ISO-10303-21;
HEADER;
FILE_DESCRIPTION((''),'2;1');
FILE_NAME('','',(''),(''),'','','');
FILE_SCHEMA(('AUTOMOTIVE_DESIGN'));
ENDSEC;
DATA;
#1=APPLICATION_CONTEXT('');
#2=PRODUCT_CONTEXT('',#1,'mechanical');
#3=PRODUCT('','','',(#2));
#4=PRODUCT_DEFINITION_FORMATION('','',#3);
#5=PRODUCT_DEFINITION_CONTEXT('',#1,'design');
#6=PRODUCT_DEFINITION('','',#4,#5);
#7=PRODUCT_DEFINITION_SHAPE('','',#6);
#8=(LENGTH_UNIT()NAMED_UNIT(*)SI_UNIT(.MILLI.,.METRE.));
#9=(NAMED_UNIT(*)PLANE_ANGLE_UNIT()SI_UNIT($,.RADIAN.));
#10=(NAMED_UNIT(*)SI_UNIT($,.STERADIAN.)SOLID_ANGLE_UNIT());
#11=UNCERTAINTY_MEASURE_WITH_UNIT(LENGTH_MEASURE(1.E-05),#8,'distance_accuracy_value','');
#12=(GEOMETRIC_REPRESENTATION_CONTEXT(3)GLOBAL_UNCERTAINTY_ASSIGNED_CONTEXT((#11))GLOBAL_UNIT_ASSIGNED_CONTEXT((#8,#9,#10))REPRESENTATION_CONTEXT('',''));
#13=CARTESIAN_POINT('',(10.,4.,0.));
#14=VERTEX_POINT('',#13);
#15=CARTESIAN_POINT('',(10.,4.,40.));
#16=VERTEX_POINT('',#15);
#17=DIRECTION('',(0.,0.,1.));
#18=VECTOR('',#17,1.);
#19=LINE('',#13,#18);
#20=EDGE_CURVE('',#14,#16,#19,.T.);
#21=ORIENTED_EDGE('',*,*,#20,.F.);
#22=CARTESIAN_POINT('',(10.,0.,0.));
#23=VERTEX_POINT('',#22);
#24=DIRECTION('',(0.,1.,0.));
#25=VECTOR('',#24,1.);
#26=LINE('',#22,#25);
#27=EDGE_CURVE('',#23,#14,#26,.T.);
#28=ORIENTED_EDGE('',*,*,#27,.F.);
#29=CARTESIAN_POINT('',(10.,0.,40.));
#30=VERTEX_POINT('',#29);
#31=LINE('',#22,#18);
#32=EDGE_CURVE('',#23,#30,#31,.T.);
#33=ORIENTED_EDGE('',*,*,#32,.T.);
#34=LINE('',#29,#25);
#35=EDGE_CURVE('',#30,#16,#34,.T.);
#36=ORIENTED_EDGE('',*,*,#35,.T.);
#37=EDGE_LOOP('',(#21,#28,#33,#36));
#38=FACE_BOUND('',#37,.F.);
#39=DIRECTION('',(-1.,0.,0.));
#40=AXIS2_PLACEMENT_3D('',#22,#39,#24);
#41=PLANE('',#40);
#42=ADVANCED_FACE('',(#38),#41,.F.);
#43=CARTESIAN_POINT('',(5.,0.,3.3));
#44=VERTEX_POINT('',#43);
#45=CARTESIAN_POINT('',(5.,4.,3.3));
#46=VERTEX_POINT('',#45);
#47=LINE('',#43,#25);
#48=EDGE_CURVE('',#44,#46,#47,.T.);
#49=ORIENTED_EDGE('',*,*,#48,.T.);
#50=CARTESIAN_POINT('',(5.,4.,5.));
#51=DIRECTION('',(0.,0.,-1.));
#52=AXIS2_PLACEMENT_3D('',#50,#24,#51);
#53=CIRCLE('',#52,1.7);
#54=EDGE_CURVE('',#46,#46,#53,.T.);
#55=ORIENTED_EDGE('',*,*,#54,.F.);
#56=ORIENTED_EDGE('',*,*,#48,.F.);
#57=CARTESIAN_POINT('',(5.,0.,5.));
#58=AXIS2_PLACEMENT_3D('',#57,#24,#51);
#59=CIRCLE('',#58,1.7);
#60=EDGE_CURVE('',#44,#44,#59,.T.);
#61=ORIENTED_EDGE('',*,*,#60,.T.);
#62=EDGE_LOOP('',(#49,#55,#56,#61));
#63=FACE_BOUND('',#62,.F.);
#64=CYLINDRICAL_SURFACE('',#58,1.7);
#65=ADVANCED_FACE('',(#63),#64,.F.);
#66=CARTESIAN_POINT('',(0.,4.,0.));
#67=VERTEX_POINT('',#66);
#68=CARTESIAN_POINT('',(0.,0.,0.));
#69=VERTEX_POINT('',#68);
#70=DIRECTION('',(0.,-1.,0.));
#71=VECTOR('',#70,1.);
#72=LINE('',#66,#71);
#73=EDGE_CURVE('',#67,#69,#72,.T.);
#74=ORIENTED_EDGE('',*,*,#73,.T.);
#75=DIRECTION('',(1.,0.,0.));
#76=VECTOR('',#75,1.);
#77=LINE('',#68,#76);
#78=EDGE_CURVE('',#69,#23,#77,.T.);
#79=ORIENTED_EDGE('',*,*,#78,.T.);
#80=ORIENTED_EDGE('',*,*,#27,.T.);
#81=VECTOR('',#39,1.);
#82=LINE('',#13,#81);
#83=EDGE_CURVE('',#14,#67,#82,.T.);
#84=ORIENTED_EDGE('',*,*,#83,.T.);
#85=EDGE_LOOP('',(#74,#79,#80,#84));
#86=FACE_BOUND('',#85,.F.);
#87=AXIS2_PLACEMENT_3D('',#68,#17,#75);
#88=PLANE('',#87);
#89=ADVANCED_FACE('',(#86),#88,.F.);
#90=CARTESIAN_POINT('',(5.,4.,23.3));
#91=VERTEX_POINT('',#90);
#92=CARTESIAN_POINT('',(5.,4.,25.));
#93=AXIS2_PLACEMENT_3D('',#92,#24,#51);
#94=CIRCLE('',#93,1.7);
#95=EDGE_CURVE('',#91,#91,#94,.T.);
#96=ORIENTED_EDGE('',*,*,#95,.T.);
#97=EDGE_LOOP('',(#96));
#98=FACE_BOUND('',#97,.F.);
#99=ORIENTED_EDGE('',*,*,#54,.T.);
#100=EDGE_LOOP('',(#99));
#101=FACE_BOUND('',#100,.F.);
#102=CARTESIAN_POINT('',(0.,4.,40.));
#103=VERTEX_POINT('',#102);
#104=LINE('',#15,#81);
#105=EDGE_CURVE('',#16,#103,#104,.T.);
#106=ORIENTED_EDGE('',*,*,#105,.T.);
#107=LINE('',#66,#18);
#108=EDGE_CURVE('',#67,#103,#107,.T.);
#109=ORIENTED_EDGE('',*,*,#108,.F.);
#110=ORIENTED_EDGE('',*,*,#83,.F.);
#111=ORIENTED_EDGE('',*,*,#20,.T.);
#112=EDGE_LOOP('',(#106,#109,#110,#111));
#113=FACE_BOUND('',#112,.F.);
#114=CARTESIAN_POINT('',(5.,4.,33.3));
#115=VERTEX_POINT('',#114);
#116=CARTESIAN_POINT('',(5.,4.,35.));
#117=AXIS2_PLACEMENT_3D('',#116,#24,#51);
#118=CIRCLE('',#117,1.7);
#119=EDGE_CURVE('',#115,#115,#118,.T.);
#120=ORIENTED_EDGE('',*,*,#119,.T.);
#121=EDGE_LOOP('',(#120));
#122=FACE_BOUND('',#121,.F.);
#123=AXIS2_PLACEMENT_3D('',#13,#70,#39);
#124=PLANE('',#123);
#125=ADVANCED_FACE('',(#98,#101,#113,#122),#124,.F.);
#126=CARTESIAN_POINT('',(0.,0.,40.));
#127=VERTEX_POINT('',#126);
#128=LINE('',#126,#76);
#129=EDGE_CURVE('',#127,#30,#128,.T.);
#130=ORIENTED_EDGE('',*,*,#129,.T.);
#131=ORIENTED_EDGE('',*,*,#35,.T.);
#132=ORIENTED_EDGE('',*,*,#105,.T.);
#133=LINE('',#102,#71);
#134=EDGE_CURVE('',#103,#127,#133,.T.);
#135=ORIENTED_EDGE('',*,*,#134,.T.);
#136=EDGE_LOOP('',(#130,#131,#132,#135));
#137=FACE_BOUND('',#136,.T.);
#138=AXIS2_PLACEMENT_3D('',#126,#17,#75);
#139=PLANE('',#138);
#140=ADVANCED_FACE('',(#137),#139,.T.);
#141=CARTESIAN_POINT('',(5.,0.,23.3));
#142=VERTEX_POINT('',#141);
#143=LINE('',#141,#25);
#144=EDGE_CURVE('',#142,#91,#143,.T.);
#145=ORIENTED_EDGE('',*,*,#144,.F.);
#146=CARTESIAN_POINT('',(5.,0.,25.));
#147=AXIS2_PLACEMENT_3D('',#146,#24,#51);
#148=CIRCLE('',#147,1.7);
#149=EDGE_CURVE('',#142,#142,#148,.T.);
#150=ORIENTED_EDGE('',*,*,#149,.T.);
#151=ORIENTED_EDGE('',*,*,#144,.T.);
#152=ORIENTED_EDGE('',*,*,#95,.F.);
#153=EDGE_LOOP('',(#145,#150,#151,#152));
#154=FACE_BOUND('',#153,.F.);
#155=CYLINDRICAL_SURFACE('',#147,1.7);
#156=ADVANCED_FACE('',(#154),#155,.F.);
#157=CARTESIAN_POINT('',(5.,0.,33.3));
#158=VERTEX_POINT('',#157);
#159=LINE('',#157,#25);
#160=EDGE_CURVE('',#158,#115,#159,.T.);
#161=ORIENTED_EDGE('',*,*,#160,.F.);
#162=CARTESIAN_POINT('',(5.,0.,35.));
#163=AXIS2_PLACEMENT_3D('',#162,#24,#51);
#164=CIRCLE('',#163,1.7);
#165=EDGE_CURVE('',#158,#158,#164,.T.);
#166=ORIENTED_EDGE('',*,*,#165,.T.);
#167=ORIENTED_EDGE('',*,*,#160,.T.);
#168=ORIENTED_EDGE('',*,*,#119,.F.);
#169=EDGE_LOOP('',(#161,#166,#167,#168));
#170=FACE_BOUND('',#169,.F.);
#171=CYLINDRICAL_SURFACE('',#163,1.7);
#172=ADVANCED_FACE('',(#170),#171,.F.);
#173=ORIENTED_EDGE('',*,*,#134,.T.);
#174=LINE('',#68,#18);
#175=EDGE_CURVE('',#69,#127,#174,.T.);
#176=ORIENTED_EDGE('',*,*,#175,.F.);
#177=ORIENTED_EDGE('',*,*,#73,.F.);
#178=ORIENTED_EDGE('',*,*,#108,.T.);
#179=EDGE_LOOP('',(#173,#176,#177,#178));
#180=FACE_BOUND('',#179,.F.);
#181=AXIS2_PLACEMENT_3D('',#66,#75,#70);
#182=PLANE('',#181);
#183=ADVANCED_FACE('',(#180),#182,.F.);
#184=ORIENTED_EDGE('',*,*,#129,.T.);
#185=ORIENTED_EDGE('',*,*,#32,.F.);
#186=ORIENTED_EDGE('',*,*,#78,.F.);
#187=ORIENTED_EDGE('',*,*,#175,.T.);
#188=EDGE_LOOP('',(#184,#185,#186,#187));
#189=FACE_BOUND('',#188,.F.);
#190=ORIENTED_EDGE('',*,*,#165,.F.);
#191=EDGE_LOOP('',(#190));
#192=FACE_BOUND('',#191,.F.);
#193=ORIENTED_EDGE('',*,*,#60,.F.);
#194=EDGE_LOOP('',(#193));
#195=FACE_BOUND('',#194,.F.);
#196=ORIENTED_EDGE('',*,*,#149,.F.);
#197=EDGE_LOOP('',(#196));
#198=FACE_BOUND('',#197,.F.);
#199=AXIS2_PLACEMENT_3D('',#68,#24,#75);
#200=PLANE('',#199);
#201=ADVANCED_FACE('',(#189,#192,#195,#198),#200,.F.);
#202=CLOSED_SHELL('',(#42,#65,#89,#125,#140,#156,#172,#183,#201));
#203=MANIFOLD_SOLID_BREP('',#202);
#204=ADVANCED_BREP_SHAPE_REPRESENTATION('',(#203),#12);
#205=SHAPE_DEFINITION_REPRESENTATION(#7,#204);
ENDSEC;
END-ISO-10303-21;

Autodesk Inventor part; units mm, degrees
ref_plane "YZ Plane" through (0, 0, 0) normal (1, 0, 0) x (0, 1, 0)
ref_plane "XZ Plane" through (0, 0, 0) normal (0, 1, 0) x (-1, 0, 0)
ref_plane "XY Plane" through (0, 0, 0) normal (0, 0, 1) x (1, 0, 0)
sketch "Skizze1" plane through (0, 0, 0) normal (0, 0, 1) x (1, 0, 0)
  line L0 (0, 0) -> (10, 0)
  line L1 (10, 0) -> (10, 4)
  line L2 (10, 4) -> (0, 4)
  line L3 (0, 4) -> (0, 0)
  dimension "d0" = 4
  dimension "d1" = 10
extrude "Extrusion1" add sketch "Skizze1" along normal blind 40
sketch "Skizze2" plane through (0, 0, 0) normal (0, -1, 0) x (1, 0, 0)
  line L0 (0, 0) -> (10, 0) projected
  line L1 (10, 0) -> (10, 40) projected
  line L2 (10, 40) -> (0, 40) projected
  point P0 (5, 5)
  point P1 (5, 35)
  point P2 (5, 25)
  dimension "d4" = 5
  dimension "d5" = 5
  dimension "d13" = 5
  dimension "d14" = 10
  dimension "d15" = 5
hole "Bohrung2" at (5, 0, 5) at (5, 0, 35) at (5, 0, 25) direction (0, 1, 0) diameter 3.4 end through all
properties part number "13_0204_064"
